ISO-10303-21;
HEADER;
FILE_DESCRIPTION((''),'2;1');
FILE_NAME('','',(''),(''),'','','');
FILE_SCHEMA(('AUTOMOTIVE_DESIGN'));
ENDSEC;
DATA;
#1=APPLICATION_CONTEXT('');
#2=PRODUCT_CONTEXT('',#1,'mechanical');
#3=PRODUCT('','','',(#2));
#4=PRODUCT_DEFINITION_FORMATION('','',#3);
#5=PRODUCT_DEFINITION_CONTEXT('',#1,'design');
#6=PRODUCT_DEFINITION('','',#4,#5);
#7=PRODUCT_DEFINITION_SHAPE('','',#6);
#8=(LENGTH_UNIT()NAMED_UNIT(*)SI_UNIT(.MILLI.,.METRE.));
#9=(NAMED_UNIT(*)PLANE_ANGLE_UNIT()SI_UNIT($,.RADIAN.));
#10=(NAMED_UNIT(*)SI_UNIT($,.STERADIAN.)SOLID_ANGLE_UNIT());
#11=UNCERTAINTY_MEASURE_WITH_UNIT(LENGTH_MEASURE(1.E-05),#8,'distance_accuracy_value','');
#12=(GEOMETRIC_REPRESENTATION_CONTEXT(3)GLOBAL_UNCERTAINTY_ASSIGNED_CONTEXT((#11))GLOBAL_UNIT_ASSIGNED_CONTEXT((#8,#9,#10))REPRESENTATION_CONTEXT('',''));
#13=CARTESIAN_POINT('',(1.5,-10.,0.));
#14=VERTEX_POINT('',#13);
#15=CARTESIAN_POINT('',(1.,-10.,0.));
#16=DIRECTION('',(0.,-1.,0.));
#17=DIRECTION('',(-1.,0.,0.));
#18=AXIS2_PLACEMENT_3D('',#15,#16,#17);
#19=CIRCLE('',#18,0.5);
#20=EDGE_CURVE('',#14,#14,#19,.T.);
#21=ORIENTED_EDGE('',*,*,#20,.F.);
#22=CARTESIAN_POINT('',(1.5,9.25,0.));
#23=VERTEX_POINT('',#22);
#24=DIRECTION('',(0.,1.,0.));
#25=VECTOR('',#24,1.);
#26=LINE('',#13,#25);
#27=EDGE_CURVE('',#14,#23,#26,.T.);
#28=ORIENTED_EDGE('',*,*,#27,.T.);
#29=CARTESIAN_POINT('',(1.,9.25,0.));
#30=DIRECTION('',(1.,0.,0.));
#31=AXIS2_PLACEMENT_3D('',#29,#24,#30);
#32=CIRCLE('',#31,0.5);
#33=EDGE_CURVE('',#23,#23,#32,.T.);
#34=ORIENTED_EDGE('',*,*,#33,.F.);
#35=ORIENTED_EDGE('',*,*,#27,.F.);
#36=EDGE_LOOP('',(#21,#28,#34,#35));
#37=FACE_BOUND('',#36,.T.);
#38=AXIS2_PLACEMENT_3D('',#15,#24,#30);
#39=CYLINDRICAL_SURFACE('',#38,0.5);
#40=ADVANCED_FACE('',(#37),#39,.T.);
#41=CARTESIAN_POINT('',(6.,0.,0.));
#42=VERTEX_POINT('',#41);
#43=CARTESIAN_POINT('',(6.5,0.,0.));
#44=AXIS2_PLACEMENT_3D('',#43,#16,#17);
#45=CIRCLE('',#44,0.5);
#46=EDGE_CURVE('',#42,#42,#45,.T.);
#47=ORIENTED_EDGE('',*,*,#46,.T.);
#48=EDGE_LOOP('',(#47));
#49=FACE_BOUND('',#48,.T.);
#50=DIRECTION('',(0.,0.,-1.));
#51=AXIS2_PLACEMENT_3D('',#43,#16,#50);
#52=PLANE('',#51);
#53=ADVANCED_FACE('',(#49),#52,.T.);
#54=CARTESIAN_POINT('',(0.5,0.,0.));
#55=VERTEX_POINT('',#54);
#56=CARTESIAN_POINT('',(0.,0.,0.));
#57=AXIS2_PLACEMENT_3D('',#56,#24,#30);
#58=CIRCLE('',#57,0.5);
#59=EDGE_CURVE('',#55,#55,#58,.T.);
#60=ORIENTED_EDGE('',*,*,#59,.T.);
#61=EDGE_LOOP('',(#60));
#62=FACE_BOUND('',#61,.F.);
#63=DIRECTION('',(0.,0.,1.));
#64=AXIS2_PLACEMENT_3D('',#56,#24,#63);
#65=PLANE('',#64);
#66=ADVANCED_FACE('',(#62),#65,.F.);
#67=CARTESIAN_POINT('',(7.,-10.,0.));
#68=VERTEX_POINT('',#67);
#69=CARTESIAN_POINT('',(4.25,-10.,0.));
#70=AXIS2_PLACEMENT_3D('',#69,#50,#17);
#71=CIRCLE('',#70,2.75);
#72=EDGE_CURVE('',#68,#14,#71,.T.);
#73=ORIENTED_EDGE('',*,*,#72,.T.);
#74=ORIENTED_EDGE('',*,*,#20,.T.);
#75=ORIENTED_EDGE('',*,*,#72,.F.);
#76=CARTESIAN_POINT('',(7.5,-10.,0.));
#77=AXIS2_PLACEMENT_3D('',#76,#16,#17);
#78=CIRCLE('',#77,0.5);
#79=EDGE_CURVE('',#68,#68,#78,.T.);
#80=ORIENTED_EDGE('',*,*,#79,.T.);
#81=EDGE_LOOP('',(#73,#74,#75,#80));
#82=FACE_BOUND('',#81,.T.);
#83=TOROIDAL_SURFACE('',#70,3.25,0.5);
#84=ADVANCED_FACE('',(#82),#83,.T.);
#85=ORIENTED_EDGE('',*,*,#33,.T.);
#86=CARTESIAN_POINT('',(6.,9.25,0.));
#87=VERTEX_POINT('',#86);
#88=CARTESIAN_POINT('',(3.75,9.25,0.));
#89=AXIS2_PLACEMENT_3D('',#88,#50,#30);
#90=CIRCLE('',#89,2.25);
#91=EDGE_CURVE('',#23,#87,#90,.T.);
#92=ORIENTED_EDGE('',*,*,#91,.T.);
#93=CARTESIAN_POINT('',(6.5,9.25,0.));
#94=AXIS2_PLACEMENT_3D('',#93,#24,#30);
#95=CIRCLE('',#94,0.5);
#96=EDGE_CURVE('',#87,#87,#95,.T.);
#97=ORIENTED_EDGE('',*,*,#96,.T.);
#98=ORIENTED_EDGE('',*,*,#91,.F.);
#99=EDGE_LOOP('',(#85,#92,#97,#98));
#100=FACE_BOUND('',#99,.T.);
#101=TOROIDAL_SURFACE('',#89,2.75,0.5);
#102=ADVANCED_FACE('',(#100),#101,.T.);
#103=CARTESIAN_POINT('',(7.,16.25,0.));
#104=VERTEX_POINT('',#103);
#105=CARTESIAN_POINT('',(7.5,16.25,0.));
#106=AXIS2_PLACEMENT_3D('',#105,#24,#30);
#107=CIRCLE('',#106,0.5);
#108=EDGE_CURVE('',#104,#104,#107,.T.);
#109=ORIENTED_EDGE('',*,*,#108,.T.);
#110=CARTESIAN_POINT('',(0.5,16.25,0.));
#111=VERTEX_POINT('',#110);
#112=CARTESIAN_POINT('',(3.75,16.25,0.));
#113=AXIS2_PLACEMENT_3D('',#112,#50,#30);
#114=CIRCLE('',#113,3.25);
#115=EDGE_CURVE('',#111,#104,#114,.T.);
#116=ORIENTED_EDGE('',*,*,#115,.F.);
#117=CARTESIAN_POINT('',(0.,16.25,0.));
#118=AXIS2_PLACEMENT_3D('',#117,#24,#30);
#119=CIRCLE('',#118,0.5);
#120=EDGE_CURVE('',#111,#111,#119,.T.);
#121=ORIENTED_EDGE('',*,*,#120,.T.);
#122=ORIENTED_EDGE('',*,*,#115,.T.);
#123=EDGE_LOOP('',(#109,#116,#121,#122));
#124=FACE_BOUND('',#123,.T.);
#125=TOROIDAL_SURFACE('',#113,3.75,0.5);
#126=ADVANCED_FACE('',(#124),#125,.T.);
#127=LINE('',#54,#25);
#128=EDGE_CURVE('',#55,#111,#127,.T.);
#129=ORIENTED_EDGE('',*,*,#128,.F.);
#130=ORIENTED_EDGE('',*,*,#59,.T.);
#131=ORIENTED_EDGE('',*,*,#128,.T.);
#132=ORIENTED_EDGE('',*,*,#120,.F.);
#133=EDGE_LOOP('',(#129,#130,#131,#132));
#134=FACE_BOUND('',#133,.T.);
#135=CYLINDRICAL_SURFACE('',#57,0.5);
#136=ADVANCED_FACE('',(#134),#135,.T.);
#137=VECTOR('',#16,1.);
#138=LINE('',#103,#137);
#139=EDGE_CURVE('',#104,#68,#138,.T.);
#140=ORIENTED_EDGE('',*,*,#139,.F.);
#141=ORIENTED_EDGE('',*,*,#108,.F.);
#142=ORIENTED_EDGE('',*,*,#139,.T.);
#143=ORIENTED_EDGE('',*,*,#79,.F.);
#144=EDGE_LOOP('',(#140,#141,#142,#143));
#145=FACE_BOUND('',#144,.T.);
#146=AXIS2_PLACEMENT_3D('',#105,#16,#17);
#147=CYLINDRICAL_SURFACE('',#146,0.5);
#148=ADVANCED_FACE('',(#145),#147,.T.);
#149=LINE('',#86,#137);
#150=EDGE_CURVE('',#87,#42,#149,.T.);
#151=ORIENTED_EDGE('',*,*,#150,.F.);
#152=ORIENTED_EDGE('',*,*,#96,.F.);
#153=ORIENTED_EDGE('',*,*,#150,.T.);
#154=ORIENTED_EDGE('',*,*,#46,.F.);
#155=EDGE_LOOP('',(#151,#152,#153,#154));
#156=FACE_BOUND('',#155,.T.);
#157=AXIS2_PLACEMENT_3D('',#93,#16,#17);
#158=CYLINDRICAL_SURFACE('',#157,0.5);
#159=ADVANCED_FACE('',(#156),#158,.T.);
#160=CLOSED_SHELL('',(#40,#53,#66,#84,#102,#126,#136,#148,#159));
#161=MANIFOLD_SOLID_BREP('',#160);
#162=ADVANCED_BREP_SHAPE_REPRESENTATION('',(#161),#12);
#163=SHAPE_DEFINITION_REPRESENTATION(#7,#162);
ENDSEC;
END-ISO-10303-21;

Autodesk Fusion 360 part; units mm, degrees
sketch "Sweep" plane through (0, 0, 0) normal (0, 0, 1) x (1, 0, 0)
  line L0 (0, 0) -> (0, 16.25)
  line L1 (0, 16.25) -> (7.5, 16.25) construction
  line L2 (7.5, 16.25) -> (7.5, -10)
  line L3 (1, -10) -> (1, 9.25)
  line L4 (7.5, -10) -> (1, -10) construction
  line L5 (1, 9.25) -> (6.5, 9.25) construction
  line L6 (6.5, 9.25) -> (6.5, 0)
  arc A0 (7.5, 16.25) -> (0, 16.25) centre (3.75, 16.25) ccw
  arc A1 (6.5, 9.25) -> (1, 9.25) centre (3.75, 9.25) ccw
  arc A2 (1, -10) -> (7.5, -10) centre (4.25, -10) ccw
  dimension "d1" = 16.25
  dimension "d2" = 7.5
  dimension "d4" = 19.25
  dimension "d5" = 5.5
  dimension "d6" = 26.25
  dimension "d7" = 6.5
  dimension "d8" = 9.25
sketch "Sketch2" plane through (0, 0, 0) normal (0, 1, 0) x (1, 0, 0)
  circle A0 centre (0, 0) radius 0.5
  dimension "d9" = 1
sweep "Sweep1" add profiles "Sketch2" path "Sweep" along L0 A0 L2 A2 L3 A1 L6 section 1
